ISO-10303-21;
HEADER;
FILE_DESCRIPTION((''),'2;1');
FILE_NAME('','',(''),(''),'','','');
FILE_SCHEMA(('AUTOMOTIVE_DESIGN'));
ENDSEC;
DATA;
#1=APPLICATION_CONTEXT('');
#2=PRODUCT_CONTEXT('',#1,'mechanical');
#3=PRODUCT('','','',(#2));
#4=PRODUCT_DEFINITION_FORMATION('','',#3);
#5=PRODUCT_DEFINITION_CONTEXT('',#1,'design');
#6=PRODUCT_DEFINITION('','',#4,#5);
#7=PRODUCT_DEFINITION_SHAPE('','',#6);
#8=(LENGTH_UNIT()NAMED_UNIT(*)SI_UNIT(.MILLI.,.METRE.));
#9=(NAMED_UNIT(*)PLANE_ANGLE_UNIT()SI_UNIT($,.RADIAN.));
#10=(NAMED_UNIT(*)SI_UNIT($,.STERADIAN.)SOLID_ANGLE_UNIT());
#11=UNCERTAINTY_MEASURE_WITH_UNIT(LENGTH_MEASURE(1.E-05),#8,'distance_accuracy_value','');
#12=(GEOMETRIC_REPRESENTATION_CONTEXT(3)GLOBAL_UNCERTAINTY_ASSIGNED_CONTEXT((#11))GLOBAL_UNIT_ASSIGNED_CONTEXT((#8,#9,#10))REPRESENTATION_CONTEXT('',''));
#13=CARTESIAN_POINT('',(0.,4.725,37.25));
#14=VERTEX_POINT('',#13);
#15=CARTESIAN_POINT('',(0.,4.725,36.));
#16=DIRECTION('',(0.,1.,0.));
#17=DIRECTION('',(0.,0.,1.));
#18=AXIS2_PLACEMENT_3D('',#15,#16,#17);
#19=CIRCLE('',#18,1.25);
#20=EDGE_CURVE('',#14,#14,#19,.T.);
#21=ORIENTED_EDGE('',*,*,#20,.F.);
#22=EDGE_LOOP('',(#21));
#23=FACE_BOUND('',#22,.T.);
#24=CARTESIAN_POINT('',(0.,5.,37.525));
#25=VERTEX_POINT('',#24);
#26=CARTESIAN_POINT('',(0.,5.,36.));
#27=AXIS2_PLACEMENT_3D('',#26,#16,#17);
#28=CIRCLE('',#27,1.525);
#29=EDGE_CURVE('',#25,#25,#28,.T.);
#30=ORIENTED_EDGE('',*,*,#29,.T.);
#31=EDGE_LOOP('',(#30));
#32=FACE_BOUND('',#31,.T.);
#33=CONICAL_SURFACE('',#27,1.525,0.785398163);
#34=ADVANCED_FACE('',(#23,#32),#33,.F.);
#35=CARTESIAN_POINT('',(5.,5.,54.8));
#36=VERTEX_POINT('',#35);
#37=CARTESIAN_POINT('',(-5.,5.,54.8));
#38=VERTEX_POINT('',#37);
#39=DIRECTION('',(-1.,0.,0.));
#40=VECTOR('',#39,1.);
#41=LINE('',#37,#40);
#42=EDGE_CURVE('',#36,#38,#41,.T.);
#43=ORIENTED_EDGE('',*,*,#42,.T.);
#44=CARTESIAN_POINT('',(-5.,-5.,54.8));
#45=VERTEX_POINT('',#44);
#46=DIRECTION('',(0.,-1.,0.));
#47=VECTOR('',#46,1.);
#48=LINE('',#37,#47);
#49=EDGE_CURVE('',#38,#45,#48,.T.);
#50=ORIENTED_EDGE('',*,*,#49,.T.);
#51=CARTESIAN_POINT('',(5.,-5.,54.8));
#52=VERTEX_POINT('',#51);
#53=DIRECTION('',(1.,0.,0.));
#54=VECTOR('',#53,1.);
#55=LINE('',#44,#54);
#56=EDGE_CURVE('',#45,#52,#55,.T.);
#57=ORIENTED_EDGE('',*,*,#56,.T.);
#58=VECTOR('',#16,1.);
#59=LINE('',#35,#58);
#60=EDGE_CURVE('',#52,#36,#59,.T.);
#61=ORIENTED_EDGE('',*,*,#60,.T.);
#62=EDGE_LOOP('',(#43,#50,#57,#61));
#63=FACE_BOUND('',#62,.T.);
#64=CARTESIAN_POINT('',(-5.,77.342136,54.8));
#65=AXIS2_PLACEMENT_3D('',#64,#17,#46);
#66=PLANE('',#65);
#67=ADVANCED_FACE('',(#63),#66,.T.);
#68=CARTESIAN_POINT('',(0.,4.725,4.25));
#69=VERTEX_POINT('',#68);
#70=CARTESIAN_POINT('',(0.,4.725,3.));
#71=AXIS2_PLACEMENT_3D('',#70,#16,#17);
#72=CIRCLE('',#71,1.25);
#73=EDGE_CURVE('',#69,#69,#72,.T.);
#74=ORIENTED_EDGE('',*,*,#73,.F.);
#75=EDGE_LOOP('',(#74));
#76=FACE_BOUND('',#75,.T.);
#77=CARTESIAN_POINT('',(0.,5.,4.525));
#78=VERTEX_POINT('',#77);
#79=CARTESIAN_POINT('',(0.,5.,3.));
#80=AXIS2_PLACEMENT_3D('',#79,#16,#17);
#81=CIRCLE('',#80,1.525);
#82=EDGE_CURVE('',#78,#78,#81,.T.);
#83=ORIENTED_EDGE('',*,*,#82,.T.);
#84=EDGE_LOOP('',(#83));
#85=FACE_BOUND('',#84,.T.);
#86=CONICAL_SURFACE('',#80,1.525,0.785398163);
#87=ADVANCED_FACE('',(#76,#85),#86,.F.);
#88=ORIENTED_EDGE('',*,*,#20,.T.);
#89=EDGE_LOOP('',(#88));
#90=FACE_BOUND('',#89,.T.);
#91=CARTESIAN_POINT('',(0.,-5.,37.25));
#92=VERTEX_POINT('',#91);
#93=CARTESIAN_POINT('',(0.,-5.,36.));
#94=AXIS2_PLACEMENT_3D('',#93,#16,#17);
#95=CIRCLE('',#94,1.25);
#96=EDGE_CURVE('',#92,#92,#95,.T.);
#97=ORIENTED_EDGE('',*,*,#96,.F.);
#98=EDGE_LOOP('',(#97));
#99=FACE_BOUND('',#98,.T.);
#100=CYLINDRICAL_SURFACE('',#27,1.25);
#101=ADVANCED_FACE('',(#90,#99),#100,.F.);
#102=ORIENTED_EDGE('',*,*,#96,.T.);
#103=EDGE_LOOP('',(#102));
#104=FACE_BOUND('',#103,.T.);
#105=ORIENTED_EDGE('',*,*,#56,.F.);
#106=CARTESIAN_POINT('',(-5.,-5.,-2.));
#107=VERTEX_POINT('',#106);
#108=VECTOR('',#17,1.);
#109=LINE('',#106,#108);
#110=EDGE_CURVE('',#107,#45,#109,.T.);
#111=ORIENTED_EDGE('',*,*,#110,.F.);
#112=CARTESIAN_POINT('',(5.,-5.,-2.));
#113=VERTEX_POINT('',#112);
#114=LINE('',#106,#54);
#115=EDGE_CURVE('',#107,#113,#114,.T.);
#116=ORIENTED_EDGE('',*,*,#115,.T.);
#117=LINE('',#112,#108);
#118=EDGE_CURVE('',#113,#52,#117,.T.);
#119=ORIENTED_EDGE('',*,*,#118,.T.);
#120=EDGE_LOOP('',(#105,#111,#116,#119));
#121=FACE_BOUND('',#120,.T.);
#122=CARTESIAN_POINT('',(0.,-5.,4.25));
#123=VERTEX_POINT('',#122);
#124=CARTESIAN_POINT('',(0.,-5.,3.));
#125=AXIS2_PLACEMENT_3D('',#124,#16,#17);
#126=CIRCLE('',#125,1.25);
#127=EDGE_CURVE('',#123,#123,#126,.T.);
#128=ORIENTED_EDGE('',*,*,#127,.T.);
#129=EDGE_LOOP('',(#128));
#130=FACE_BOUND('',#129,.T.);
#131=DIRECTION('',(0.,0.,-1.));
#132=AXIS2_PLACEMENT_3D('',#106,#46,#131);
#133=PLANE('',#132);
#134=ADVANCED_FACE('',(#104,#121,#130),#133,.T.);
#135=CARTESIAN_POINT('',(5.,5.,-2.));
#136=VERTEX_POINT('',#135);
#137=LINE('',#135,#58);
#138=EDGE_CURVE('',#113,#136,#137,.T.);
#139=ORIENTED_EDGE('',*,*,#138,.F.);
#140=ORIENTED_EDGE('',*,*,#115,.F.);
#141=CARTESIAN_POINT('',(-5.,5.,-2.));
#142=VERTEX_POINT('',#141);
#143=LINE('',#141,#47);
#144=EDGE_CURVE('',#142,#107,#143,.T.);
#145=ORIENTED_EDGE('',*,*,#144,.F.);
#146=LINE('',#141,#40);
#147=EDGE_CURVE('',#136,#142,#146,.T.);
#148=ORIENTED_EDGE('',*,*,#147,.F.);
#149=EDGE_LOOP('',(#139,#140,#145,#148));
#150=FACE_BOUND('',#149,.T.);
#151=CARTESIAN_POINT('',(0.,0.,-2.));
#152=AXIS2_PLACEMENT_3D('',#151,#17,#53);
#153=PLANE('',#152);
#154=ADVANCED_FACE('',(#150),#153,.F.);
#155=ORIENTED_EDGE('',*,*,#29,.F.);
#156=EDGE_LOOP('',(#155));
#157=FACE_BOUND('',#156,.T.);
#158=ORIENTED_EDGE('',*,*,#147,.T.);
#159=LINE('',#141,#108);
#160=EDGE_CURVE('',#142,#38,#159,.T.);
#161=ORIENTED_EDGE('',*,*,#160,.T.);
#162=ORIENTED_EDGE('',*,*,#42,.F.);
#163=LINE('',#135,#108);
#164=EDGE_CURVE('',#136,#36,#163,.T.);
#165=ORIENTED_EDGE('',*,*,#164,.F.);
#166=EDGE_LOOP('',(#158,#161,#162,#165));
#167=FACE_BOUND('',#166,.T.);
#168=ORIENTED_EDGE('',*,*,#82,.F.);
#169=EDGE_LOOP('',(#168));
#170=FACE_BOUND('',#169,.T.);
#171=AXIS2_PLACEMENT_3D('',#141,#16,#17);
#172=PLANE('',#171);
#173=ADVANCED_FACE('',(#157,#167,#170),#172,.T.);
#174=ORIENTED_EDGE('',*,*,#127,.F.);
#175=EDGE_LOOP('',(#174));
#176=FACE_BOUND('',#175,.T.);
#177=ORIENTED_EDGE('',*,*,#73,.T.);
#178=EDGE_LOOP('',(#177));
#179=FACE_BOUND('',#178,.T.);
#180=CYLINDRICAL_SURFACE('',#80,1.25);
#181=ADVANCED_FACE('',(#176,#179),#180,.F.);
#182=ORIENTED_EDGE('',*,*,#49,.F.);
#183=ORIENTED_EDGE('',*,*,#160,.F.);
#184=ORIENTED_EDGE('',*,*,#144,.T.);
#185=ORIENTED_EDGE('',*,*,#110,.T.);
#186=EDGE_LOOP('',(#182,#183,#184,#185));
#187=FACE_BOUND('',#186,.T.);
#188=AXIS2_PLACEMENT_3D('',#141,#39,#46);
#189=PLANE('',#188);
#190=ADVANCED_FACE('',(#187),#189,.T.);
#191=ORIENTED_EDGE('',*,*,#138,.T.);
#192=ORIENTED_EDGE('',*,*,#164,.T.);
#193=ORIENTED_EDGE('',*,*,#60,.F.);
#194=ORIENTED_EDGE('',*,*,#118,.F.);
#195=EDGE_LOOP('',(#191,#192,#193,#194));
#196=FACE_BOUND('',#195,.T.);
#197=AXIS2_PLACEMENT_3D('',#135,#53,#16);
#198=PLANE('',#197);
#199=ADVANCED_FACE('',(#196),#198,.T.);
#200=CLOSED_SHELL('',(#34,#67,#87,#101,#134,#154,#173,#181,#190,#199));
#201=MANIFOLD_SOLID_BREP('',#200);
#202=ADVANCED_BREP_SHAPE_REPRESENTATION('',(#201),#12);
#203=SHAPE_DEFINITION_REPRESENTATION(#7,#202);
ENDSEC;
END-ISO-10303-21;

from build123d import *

# Parameters (mm, degrees)
ESQUISSE1_W                     = 10
ESQUISSE1_H                     = 10
BOSS_EXTRU_1_DEPTH              = 54.8
BOSS_EXTRU_1_DEPTH_BACK         = 2
TROU_TARAUD_M3X0_51_D           = 2.5
TROU_TARAUD_M3X0_51_CSINK_D     = 3.05
TROU_TARAUD_M3X0_51_CSINK_ANGLE = 90


with BuildPart() as part:
    # Esquisse1 → Boss.-Extru.1 (new body, two sides)
    with BuildSketch(Plane.XY) as boss_extru_1_sk:
        Rectangle(ESQUISSE1_W, ESQUISSE1_H)
    extrude(amount=BOSS_EXTRU_1_DEPTH)
    extrude(boss_extru_1_sk.sketch, amount=-BOSS_EXTRU_1_DEPTH_BACK)

    # Trou taraud_ M3x0.51 (through all)
    with Locations(Plane(origin=(0, 5, 0), x_dir=(1, 0, 0), z_dir=(0, 1, 0))):
        with Locations((0, -36), (0, -3)):
            CounterSinkHole(TROU_TARAUD_M3X0_51_D / 2, TROU_TARAUD_M3X0_51_CSINK_D / 2, counter_sink_angle=TROU_TARAUD_M3X0_51_CSINK_ANGLE)


solid = part.part
